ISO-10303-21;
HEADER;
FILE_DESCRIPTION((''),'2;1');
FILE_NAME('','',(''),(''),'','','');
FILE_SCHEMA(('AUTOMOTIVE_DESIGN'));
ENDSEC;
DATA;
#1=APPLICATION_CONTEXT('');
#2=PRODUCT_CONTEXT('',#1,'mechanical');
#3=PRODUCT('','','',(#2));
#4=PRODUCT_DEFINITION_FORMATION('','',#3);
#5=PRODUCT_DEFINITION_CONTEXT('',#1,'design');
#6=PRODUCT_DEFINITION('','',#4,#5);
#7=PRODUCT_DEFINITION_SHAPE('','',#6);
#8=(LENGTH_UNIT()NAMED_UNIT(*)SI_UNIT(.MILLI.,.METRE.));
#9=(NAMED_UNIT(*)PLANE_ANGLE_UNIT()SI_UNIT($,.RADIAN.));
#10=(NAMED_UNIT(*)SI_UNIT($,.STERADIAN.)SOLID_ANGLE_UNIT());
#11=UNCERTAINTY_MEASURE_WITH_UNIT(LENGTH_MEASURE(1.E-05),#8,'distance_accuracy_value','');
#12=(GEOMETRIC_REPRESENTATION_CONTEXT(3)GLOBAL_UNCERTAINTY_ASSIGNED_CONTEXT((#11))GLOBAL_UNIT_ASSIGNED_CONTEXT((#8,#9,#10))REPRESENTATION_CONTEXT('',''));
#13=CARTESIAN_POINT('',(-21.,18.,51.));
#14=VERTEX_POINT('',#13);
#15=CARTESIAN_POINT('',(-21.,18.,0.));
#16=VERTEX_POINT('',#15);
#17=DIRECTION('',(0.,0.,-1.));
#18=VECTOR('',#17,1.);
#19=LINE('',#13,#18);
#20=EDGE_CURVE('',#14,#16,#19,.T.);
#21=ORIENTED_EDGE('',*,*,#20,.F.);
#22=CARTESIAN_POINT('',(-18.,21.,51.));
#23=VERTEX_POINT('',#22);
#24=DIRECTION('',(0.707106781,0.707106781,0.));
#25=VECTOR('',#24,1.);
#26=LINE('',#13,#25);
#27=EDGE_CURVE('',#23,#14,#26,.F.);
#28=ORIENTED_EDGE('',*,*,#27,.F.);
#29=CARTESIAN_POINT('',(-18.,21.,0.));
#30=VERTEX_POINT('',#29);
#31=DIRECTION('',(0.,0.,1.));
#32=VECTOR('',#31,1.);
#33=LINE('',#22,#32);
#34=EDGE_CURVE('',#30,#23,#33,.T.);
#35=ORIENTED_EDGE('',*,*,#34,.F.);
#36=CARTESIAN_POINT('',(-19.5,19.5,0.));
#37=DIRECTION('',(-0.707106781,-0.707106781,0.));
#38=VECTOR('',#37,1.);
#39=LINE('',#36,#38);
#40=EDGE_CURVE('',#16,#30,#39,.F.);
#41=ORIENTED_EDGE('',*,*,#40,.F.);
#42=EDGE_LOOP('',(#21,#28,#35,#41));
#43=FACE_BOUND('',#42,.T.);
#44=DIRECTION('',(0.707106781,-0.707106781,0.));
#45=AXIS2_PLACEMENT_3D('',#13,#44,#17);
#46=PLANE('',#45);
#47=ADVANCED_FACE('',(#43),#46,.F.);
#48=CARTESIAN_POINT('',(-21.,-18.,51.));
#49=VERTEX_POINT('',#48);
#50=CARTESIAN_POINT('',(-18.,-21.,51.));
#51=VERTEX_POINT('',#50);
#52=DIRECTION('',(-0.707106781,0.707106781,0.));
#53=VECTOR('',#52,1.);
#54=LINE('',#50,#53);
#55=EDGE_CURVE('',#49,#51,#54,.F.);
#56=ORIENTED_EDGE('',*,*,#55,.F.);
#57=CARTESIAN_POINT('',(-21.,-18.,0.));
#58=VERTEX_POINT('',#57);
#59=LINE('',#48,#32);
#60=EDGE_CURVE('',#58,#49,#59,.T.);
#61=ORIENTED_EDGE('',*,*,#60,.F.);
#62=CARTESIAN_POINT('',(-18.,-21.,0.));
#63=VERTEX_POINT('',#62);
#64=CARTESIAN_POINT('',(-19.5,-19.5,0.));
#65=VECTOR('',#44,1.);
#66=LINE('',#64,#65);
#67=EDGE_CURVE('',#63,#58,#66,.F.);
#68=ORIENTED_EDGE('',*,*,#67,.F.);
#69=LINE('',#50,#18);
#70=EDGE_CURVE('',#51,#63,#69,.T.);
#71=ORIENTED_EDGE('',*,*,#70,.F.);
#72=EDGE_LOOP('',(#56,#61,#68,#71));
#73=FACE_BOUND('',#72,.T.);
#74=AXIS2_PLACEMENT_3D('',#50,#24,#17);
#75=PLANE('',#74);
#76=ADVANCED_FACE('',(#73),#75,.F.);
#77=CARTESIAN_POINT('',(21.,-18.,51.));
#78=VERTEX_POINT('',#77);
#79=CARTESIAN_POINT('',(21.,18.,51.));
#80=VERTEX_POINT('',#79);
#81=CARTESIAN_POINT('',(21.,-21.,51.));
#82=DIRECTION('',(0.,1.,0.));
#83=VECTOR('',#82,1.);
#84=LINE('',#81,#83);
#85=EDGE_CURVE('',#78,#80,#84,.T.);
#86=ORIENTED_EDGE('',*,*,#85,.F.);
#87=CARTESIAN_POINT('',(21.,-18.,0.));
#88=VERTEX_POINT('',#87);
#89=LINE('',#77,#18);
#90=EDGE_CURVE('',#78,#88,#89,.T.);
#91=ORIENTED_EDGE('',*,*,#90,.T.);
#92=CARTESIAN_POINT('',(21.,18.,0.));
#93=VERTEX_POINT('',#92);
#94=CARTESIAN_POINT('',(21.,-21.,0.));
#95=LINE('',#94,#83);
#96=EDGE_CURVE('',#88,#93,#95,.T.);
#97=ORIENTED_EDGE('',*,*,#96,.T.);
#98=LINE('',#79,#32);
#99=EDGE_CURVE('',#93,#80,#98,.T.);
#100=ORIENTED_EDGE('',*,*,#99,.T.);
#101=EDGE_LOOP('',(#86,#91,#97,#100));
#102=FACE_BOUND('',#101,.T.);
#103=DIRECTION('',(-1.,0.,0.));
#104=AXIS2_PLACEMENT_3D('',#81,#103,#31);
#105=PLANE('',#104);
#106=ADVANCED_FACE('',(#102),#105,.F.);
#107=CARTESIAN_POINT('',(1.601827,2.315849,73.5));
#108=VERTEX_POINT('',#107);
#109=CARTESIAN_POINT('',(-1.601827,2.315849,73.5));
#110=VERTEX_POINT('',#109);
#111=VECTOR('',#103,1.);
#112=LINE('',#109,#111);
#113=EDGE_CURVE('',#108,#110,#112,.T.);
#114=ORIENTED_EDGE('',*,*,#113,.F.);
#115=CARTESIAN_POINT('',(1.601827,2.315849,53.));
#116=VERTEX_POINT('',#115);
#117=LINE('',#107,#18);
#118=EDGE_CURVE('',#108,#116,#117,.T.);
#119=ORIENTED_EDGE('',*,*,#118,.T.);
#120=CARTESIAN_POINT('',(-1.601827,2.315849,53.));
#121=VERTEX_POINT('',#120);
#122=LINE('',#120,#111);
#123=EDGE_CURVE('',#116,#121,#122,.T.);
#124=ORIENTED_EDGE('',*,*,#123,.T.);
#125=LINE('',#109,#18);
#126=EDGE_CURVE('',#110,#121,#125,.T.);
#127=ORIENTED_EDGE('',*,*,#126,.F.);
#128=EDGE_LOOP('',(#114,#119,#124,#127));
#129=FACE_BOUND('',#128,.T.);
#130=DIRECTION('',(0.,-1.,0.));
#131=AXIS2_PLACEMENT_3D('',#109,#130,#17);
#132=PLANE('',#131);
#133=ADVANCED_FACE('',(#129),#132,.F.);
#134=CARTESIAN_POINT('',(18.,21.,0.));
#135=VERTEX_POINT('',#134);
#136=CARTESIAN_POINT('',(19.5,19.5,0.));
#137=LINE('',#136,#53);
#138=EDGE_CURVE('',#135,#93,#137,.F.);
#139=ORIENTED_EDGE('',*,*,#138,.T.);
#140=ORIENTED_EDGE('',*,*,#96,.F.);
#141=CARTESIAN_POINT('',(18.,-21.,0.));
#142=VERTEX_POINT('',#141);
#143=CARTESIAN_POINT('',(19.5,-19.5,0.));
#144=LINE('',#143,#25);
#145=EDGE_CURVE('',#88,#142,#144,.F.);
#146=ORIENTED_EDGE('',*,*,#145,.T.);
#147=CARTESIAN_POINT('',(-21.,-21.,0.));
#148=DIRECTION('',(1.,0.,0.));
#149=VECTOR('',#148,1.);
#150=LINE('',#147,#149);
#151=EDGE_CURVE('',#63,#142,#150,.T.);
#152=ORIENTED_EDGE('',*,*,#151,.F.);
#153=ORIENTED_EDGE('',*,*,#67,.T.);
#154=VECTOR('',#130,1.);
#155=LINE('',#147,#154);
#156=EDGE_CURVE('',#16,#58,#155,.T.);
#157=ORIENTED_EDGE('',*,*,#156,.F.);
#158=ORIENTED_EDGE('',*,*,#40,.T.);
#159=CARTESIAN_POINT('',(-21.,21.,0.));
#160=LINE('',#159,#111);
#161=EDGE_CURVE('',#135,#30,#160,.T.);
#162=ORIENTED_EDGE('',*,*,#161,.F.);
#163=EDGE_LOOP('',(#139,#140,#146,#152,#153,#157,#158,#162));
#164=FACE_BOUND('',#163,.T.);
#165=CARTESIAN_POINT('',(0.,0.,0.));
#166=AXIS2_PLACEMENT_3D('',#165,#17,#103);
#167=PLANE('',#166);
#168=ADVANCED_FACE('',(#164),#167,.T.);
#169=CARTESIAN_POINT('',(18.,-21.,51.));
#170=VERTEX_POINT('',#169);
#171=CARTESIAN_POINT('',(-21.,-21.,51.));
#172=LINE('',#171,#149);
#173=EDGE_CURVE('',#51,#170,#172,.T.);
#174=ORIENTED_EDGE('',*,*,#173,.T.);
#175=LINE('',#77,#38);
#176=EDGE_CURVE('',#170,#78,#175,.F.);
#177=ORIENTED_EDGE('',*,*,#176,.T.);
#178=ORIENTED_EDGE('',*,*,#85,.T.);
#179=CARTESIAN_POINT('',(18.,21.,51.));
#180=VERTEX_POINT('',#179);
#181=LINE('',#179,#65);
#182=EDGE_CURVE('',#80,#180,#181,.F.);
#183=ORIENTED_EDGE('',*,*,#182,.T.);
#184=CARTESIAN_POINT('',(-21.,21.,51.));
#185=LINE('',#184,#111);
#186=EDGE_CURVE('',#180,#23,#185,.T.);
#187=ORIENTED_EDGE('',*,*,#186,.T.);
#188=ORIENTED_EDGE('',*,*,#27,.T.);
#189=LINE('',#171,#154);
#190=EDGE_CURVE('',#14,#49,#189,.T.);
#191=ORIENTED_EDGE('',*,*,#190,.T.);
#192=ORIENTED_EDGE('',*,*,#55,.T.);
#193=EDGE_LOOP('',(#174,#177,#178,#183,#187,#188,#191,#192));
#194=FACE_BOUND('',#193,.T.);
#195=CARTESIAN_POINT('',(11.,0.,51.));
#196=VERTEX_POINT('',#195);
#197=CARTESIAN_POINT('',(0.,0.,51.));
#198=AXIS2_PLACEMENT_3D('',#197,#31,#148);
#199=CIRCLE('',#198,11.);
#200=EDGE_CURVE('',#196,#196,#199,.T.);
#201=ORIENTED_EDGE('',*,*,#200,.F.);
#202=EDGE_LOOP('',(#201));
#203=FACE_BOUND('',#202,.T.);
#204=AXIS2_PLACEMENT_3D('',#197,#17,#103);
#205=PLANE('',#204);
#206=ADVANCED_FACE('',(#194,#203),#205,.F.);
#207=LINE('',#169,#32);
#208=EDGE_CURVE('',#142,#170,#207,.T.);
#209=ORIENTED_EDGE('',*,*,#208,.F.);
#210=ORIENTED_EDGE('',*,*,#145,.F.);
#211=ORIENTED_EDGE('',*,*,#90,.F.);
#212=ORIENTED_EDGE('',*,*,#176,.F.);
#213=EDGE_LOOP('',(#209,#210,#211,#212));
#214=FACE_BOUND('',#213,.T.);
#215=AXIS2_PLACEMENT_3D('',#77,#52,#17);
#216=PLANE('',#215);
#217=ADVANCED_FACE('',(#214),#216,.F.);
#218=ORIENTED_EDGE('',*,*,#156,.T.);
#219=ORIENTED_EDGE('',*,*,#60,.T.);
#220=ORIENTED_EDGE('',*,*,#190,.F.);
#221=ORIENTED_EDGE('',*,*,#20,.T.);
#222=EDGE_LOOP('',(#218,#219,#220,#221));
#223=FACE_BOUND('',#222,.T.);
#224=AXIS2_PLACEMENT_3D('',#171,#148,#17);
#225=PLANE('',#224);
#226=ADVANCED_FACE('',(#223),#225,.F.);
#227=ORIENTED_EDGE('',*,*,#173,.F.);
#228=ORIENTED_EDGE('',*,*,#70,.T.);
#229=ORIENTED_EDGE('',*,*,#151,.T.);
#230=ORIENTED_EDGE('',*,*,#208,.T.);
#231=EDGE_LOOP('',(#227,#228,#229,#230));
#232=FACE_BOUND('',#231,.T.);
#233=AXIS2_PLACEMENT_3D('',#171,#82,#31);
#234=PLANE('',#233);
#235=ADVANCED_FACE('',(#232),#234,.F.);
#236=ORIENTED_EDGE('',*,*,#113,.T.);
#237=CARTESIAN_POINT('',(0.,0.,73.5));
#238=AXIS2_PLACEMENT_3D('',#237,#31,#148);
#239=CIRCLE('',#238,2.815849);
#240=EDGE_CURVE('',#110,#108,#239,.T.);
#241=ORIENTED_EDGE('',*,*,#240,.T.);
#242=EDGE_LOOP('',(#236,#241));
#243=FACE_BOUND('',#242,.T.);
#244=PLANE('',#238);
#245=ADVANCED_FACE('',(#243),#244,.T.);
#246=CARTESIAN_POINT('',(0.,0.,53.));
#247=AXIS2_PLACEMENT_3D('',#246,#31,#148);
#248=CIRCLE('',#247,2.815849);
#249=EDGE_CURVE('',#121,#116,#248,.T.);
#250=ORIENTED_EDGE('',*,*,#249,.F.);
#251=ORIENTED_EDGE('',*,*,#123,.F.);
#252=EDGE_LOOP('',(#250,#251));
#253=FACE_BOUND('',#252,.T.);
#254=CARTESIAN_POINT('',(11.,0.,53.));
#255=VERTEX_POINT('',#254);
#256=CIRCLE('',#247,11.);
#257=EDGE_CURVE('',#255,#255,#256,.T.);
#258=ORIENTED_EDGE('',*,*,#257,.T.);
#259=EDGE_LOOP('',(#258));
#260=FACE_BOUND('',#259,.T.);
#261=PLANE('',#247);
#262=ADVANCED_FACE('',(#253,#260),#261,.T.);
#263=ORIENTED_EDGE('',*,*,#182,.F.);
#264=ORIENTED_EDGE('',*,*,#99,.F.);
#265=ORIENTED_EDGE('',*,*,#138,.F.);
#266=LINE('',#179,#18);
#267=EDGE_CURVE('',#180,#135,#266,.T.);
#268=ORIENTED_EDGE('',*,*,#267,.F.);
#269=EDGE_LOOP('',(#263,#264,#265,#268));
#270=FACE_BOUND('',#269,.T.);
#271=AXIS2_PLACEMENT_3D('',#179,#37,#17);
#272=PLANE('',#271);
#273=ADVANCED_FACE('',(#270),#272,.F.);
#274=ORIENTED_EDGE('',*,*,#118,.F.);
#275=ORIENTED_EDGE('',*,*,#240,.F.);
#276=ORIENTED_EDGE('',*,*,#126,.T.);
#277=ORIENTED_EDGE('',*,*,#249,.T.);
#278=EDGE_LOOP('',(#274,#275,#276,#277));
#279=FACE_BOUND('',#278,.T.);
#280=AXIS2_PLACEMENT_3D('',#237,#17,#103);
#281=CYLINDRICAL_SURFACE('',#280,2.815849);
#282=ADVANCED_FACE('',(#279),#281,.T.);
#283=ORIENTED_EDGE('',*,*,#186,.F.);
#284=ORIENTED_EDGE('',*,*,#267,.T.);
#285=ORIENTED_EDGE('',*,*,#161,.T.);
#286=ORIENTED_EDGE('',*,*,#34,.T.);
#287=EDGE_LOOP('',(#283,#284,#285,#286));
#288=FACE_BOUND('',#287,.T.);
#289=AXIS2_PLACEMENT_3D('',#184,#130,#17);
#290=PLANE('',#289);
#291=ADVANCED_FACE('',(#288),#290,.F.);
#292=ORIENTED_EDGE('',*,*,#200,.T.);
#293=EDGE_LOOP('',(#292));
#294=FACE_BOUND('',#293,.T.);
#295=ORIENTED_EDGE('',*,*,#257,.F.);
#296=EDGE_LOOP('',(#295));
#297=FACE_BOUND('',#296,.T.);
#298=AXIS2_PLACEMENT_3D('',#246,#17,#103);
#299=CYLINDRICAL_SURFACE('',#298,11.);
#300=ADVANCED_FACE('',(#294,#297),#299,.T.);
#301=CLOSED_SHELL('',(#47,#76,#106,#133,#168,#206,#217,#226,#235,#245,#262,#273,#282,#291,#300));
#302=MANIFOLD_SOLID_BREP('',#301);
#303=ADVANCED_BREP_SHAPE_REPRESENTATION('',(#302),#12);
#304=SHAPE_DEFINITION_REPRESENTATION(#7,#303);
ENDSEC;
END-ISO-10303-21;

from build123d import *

# Parameters (mm, degrees)
SKETCH_1_W      = 42
SKETCH_1_H      = 42
EXTRUDE_1_DEPTH = 51
SKETCH_2_R      = 11
EXTRUDE_2_DEPTH = 2
EXTRUDE_3_DEPTH = 20.5
CHAMFER_1_SIZE  = 3


with BuildPart() as part:
    # 草图1 → 凸台-拉伸1 (new body)
    with BuildSketch(Plane.XY):
        Rectangle(SKETCH_1_W, SKETCH_1_H)
    extrude(amount=EXTRUDE_1_DEPTH)

    # 草图2 → 凸台-拉伸2 (add)
    with BuildSketch(Plane.XY.offset(51)):
        Circle(SKETCH_2_R)
    extrude(amount=EXTRUDE_2_DEPTH)

    # 草图3 → 凸台-拉伸3 (add)
    with BuildSketch(Plane.XY.offset(53)):
        with BuildLine():
            Line((-1.601826622, 2.315848528), (1.601826622, 2.315848528))
            ThreePointArc((1.601826622, 2.315848528), (0, -2.815848528), (-1.601826622, 2.315848528))
        make_face()
    extrude(amount=EXTRUDE_3_DEPTH)

    # 倒角1
    chamfer_1_edges = [part.edges().sort_by_distance(p)[0] for p in [
        (21, -21, 25.5),
        (-21, -21, 25.5),
        (-21, 21, 25.5),
        (21, 21, 25.5),
    ]]
    chamfer(chamfer_1_edges, length=CHAMFER_1_SIZE)


solid = part.part
